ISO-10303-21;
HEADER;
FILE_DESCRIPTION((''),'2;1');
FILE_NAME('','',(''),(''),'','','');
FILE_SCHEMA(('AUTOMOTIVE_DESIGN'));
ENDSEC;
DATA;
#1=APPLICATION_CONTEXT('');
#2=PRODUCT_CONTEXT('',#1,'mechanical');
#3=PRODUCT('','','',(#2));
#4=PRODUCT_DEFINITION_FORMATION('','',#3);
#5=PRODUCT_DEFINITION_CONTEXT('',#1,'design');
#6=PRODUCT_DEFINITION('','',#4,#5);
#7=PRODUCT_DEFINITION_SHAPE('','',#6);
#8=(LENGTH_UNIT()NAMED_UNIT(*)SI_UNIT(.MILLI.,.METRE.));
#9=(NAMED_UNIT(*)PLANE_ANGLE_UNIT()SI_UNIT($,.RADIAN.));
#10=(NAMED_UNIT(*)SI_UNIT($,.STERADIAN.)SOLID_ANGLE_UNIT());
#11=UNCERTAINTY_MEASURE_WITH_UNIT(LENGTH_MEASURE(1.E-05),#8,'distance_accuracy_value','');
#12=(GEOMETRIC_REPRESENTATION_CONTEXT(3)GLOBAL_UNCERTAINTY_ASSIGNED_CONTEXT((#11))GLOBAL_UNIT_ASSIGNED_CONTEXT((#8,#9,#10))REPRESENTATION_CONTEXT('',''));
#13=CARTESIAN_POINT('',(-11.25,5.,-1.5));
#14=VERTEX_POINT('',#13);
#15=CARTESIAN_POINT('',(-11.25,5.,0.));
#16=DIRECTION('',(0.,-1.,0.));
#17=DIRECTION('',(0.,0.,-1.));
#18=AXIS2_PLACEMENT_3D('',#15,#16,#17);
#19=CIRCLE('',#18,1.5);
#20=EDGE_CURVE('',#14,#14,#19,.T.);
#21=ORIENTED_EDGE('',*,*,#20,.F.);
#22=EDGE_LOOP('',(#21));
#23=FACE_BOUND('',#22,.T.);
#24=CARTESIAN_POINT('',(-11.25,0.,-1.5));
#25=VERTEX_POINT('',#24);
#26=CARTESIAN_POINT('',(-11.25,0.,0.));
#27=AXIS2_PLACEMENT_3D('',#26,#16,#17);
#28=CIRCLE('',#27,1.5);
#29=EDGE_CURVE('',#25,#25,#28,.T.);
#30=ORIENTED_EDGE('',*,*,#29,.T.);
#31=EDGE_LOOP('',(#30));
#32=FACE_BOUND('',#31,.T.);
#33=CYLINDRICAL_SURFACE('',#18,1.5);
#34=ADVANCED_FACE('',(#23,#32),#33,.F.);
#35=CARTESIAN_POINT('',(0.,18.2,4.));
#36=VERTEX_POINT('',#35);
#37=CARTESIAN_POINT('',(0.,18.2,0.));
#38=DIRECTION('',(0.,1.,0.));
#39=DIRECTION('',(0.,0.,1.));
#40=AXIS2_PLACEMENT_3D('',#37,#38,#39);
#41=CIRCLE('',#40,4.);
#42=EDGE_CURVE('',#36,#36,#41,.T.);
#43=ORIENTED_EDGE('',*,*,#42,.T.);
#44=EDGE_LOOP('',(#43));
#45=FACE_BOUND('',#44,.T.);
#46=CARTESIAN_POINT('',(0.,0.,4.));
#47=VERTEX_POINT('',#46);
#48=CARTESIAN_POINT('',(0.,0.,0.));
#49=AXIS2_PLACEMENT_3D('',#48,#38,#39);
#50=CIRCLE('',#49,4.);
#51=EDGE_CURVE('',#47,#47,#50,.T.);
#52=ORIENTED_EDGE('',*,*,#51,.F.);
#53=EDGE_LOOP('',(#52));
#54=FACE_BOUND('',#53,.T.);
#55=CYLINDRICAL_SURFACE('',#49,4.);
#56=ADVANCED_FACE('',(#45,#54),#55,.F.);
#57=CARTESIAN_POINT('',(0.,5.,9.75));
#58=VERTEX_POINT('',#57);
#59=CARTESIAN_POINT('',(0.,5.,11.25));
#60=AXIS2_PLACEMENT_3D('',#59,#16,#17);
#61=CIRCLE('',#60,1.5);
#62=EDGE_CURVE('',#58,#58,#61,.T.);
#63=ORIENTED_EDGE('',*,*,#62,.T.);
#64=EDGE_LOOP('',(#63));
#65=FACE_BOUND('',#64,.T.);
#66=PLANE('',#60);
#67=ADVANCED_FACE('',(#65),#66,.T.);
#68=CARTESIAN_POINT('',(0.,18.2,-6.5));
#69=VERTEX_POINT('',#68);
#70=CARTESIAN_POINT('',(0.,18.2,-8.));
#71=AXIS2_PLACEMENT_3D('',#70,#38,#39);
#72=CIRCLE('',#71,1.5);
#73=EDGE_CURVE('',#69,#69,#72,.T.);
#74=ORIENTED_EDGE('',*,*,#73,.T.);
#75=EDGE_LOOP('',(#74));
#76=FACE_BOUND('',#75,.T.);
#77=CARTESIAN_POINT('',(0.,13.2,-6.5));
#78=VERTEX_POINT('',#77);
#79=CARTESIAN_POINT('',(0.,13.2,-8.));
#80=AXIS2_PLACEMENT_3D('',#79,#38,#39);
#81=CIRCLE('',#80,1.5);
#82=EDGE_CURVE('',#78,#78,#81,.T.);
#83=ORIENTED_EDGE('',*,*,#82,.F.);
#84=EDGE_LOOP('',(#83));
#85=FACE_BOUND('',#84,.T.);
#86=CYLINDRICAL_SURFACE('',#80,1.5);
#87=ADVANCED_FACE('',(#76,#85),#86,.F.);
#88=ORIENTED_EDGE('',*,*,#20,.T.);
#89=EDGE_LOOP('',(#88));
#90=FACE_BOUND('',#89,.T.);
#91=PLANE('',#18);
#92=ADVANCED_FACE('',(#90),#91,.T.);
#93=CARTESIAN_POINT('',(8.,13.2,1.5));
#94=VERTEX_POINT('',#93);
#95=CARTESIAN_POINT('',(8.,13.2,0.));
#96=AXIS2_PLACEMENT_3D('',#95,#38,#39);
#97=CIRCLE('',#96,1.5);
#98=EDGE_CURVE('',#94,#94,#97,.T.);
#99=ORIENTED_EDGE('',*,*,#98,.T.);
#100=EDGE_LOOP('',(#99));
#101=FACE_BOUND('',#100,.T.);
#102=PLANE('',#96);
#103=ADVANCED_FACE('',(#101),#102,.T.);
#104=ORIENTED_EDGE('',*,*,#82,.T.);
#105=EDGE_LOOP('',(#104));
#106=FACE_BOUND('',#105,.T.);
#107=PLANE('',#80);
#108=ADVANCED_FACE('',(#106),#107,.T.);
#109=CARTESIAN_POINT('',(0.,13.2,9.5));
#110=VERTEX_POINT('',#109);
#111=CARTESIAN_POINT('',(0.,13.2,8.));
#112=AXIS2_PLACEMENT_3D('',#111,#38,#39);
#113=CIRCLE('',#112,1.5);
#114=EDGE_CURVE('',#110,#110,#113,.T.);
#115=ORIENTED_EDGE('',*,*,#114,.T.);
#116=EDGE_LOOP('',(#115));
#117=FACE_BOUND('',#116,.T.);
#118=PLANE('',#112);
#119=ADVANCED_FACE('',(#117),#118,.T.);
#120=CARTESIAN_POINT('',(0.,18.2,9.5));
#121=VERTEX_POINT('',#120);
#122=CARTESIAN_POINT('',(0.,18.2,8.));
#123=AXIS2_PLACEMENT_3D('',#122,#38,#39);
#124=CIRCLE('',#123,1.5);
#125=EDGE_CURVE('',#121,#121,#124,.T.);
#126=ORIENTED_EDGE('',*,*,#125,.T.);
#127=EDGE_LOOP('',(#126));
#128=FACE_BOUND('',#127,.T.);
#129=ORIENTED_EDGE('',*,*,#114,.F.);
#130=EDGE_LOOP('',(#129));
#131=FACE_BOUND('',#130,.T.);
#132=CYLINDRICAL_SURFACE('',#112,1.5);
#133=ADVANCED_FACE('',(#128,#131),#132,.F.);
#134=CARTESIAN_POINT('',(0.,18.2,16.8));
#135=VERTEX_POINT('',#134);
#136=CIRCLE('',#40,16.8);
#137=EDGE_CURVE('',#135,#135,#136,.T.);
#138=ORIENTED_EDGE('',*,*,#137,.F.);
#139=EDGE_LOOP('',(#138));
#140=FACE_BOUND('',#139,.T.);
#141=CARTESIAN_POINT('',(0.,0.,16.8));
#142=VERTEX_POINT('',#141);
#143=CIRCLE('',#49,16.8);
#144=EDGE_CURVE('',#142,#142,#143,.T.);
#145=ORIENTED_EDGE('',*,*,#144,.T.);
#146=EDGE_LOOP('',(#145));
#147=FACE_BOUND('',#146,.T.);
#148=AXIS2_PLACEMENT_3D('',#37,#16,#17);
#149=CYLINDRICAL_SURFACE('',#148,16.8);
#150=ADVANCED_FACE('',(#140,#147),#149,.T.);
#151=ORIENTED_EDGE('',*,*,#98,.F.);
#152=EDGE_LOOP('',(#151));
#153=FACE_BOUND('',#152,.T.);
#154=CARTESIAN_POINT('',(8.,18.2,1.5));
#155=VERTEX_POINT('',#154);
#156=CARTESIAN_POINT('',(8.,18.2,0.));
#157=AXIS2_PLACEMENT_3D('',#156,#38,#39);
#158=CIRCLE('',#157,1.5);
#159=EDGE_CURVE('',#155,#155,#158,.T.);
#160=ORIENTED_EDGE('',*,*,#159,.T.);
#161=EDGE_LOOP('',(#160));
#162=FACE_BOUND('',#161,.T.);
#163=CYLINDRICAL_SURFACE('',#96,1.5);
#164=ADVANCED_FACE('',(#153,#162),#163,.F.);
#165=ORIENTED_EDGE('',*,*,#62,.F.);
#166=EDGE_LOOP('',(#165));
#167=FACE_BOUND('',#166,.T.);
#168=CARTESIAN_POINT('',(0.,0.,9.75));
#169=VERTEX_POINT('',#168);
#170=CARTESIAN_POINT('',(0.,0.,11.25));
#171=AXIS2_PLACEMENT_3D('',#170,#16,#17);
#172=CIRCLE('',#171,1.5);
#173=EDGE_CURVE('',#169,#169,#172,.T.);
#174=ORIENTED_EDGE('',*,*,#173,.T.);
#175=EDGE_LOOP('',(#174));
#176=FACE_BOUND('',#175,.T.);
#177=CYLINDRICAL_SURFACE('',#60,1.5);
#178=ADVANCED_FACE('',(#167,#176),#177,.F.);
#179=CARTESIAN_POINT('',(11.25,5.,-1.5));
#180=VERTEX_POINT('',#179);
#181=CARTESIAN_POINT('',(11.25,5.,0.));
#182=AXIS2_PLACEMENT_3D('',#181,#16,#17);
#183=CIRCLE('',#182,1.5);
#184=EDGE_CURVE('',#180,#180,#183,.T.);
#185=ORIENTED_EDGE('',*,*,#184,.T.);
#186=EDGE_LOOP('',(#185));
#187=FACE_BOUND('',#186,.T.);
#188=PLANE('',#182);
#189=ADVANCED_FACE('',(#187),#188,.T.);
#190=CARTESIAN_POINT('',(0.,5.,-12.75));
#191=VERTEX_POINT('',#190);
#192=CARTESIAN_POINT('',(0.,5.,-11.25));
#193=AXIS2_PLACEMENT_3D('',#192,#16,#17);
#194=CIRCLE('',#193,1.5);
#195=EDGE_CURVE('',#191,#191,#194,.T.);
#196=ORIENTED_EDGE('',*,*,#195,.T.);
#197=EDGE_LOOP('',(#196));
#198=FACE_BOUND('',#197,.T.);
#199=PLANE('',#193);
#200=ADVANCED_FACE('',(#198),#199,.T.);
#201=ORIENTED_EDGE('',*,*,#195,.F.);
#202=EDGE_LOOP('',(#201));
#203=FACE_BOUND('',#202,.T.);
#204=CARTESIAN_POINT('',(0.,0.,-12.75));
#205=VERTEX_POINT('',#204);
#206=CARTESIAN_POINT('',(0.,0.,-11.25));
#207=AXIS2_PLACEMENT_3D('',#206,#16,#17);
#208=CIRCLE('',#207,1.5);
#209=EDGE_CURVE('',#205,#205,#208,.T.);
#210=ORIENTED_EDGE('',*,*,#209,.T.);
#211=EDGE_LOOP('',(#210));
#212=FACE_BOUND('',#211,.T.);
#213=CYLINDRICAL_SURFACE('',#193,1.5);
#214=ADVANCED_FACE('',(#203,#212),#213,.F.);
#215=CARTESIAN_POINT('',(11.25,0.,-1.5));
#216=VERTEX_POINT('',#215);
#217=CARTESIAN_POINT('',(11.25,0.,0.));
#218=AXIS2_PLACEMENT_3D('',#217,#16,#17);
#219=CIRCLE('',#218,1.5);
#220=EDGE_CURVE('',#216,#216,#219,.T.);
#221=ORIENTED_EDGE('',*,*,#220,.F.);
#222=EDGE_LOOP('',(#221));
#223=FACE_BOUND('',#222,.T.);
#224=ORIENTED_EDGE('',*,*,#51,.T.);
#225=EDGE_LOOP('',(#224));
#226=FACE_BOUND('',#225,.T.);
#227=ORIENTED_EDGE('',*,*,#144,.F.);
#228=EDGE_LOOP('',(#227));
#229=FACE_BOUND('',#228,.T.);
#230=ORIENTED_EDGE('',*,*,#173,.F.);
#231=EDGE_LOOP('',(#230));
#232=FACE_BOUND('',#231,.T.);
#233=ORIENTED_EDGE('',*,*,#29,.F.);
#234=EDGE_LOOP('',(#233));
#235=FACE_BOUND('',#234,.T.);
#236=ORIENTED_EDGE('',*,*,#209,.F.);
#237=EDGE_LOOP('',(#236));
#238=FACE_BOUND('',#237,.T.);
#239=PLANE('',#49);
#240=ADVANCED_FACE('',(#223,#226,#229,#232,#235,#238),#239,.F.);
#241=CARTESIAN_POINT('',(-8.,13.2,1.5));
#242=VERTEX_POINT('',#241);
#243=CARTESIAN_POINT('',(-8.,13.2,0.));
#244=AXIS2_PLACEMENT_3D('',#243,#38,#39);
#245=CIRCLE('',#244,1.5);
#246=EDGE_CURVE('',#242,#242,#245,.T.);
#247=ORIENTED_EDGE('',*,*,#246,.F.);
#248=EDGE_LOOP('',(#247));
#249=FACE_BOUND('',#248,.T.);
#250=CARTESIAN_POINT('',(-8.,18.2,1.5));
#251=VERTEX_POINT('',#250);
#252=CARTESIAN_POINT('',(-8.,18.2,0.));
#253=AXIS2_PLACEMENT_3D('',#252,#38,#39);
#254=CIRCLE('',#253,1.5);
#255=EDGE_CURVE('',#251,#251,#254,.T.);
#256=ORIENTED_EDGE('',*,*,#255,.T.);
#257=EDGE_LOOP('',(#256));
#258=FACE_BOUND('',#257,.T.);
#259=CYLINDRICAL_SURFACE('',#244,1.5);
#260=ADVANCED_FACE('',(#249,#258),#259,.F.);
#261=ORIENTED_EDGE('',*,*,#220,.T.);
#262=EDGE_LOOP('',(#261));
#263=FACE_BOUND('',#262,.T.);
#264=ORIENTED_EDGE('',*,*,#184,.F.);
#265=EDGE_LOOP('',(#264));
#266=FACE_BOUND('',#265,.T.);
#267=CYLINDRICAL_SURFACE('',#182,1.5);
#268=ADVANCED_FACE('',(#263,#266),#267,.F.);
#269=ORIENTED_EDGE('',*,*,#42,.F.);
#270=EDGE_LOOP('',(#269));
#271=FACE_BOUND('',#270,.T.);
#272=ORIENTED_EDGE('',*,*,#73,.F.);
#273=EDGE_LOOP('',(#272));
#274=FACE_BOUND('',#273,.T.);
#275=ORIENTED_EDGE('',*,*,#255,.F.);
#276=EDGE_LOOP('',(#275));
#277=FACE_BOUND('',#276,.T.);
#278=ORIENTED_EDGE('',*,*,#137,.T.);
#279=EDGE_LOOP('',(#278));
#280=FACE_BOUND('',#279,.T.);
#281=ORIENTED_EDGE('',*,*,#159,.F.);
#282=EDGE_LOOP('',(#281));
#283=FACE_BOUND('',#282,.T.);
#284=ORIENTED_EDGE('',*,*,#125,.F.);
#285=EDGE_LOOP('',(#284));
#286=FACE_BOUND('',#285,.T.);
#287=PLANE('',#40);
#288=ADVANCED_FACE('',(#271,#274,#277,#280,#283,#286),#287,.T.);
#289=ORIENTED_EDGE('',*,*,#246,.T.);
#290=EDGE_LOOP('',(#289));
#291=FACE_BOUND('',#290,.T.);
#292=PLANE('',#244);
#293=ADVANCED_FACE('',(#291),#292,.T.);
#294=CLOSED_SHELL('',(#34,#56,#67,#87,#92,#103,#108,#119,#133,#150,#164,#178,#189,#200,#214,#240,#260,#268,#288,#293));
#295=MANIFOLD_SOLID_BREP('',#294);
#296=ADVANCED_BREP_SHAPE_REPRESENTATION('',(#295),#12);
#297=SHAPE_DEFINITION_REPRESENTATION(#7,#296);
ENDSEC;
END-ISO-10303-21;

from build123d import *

# Parameters (mm, degrees)
SKETCH1_R           = 16.8
BOSS_EXTRUDE1_DEPTH = 18.2
SKETCH2_R           = 4
CUT_EXTRUDE1_DEPTH  = 30.928581657
SKETCH3_R           = 1.5
CUT_EXTRUDE2_DEPTH  = 5
SKETCH4_R           = 1.5
CUT_EXTRUDE3_DEPTH  = 5


with BuildPart() as part:
    # Sketch1 → Boss-Extrude1 (new body)
    with BuildSketch(Plane(origin=(0, 0, 0), x_dir=(1, 0, 0), z_dir=(0, 1, 0))):
        with Locations(Location((0, 0, 0), (0, 0, 270))):
            Circle(SKETCH1_R)
    extrude(amount=BOSS_EXTRUDE1_DEPTH)

    # Sketch2 → Cut-Extrude1 (cut, through all)
    with BuildSketch(Plane(origin=(0, 18.2, 0), x_dir=(1, 0, 0), z_dir=(0, 1, 0))):
        with Locations(Location((0, 0, 0), (0, 0, 270))):
            Circle(SKETCH2_R)
    extrude(amount=-CUT_EXTRUDE1_DEPTH, mode=Mode.SUBTRACT)

    # Sketch3 → Cut-Extrude2 (cut)
    with BuildSketch(Plane(origin=(0, 18.2, 0), x_dir=(1, 0, 0), z_dir=(0, 1, 0))):
        with Locations(Location((0, 8, 0), (0, 0, 270))):
            Circle(SKETCH3_R)
        with Locations(Location((8, 0, 0), (0, 0, 270))):
            Circle(SKETCH3_R)
        with Locations(Location((0, -8, 0), (0, 0, 270))):
            Circle(SKETCH3_R)
        with Locations(Location((-8, 0, 0), (0, 0, 270))):
            Circle(SKETCH3_R)
    extrude(amount=-CUT_EXTRUDE2_DEPTH, mode=Mode.SUBTRACT)

    # Sketch4 → Cut-Extrude3 (cut)
    with BuildSketch(Plane.XZ):
        with Locations(Location((0, 11.25, 0), (0, 0, 270))):
            Circle(SKETCH4_R)
        with Locations(Location((11.25, 0, 0), (0, 0, 270))):
            Circle(SKETCH4_R)
        with Locations(Location((0, -11.25, 0), (0, 0, 270))):
            Circle(SKETCH4_R)
        with Locations(Location((-11.25, 0, 0), (0, 0, 270))):
            Circle(SKETCH4_R)
    extrude(amount=-CUT_EXTRUDE3_DEPTH, mode=Mode.SUBTRACT)


solid = part.part
